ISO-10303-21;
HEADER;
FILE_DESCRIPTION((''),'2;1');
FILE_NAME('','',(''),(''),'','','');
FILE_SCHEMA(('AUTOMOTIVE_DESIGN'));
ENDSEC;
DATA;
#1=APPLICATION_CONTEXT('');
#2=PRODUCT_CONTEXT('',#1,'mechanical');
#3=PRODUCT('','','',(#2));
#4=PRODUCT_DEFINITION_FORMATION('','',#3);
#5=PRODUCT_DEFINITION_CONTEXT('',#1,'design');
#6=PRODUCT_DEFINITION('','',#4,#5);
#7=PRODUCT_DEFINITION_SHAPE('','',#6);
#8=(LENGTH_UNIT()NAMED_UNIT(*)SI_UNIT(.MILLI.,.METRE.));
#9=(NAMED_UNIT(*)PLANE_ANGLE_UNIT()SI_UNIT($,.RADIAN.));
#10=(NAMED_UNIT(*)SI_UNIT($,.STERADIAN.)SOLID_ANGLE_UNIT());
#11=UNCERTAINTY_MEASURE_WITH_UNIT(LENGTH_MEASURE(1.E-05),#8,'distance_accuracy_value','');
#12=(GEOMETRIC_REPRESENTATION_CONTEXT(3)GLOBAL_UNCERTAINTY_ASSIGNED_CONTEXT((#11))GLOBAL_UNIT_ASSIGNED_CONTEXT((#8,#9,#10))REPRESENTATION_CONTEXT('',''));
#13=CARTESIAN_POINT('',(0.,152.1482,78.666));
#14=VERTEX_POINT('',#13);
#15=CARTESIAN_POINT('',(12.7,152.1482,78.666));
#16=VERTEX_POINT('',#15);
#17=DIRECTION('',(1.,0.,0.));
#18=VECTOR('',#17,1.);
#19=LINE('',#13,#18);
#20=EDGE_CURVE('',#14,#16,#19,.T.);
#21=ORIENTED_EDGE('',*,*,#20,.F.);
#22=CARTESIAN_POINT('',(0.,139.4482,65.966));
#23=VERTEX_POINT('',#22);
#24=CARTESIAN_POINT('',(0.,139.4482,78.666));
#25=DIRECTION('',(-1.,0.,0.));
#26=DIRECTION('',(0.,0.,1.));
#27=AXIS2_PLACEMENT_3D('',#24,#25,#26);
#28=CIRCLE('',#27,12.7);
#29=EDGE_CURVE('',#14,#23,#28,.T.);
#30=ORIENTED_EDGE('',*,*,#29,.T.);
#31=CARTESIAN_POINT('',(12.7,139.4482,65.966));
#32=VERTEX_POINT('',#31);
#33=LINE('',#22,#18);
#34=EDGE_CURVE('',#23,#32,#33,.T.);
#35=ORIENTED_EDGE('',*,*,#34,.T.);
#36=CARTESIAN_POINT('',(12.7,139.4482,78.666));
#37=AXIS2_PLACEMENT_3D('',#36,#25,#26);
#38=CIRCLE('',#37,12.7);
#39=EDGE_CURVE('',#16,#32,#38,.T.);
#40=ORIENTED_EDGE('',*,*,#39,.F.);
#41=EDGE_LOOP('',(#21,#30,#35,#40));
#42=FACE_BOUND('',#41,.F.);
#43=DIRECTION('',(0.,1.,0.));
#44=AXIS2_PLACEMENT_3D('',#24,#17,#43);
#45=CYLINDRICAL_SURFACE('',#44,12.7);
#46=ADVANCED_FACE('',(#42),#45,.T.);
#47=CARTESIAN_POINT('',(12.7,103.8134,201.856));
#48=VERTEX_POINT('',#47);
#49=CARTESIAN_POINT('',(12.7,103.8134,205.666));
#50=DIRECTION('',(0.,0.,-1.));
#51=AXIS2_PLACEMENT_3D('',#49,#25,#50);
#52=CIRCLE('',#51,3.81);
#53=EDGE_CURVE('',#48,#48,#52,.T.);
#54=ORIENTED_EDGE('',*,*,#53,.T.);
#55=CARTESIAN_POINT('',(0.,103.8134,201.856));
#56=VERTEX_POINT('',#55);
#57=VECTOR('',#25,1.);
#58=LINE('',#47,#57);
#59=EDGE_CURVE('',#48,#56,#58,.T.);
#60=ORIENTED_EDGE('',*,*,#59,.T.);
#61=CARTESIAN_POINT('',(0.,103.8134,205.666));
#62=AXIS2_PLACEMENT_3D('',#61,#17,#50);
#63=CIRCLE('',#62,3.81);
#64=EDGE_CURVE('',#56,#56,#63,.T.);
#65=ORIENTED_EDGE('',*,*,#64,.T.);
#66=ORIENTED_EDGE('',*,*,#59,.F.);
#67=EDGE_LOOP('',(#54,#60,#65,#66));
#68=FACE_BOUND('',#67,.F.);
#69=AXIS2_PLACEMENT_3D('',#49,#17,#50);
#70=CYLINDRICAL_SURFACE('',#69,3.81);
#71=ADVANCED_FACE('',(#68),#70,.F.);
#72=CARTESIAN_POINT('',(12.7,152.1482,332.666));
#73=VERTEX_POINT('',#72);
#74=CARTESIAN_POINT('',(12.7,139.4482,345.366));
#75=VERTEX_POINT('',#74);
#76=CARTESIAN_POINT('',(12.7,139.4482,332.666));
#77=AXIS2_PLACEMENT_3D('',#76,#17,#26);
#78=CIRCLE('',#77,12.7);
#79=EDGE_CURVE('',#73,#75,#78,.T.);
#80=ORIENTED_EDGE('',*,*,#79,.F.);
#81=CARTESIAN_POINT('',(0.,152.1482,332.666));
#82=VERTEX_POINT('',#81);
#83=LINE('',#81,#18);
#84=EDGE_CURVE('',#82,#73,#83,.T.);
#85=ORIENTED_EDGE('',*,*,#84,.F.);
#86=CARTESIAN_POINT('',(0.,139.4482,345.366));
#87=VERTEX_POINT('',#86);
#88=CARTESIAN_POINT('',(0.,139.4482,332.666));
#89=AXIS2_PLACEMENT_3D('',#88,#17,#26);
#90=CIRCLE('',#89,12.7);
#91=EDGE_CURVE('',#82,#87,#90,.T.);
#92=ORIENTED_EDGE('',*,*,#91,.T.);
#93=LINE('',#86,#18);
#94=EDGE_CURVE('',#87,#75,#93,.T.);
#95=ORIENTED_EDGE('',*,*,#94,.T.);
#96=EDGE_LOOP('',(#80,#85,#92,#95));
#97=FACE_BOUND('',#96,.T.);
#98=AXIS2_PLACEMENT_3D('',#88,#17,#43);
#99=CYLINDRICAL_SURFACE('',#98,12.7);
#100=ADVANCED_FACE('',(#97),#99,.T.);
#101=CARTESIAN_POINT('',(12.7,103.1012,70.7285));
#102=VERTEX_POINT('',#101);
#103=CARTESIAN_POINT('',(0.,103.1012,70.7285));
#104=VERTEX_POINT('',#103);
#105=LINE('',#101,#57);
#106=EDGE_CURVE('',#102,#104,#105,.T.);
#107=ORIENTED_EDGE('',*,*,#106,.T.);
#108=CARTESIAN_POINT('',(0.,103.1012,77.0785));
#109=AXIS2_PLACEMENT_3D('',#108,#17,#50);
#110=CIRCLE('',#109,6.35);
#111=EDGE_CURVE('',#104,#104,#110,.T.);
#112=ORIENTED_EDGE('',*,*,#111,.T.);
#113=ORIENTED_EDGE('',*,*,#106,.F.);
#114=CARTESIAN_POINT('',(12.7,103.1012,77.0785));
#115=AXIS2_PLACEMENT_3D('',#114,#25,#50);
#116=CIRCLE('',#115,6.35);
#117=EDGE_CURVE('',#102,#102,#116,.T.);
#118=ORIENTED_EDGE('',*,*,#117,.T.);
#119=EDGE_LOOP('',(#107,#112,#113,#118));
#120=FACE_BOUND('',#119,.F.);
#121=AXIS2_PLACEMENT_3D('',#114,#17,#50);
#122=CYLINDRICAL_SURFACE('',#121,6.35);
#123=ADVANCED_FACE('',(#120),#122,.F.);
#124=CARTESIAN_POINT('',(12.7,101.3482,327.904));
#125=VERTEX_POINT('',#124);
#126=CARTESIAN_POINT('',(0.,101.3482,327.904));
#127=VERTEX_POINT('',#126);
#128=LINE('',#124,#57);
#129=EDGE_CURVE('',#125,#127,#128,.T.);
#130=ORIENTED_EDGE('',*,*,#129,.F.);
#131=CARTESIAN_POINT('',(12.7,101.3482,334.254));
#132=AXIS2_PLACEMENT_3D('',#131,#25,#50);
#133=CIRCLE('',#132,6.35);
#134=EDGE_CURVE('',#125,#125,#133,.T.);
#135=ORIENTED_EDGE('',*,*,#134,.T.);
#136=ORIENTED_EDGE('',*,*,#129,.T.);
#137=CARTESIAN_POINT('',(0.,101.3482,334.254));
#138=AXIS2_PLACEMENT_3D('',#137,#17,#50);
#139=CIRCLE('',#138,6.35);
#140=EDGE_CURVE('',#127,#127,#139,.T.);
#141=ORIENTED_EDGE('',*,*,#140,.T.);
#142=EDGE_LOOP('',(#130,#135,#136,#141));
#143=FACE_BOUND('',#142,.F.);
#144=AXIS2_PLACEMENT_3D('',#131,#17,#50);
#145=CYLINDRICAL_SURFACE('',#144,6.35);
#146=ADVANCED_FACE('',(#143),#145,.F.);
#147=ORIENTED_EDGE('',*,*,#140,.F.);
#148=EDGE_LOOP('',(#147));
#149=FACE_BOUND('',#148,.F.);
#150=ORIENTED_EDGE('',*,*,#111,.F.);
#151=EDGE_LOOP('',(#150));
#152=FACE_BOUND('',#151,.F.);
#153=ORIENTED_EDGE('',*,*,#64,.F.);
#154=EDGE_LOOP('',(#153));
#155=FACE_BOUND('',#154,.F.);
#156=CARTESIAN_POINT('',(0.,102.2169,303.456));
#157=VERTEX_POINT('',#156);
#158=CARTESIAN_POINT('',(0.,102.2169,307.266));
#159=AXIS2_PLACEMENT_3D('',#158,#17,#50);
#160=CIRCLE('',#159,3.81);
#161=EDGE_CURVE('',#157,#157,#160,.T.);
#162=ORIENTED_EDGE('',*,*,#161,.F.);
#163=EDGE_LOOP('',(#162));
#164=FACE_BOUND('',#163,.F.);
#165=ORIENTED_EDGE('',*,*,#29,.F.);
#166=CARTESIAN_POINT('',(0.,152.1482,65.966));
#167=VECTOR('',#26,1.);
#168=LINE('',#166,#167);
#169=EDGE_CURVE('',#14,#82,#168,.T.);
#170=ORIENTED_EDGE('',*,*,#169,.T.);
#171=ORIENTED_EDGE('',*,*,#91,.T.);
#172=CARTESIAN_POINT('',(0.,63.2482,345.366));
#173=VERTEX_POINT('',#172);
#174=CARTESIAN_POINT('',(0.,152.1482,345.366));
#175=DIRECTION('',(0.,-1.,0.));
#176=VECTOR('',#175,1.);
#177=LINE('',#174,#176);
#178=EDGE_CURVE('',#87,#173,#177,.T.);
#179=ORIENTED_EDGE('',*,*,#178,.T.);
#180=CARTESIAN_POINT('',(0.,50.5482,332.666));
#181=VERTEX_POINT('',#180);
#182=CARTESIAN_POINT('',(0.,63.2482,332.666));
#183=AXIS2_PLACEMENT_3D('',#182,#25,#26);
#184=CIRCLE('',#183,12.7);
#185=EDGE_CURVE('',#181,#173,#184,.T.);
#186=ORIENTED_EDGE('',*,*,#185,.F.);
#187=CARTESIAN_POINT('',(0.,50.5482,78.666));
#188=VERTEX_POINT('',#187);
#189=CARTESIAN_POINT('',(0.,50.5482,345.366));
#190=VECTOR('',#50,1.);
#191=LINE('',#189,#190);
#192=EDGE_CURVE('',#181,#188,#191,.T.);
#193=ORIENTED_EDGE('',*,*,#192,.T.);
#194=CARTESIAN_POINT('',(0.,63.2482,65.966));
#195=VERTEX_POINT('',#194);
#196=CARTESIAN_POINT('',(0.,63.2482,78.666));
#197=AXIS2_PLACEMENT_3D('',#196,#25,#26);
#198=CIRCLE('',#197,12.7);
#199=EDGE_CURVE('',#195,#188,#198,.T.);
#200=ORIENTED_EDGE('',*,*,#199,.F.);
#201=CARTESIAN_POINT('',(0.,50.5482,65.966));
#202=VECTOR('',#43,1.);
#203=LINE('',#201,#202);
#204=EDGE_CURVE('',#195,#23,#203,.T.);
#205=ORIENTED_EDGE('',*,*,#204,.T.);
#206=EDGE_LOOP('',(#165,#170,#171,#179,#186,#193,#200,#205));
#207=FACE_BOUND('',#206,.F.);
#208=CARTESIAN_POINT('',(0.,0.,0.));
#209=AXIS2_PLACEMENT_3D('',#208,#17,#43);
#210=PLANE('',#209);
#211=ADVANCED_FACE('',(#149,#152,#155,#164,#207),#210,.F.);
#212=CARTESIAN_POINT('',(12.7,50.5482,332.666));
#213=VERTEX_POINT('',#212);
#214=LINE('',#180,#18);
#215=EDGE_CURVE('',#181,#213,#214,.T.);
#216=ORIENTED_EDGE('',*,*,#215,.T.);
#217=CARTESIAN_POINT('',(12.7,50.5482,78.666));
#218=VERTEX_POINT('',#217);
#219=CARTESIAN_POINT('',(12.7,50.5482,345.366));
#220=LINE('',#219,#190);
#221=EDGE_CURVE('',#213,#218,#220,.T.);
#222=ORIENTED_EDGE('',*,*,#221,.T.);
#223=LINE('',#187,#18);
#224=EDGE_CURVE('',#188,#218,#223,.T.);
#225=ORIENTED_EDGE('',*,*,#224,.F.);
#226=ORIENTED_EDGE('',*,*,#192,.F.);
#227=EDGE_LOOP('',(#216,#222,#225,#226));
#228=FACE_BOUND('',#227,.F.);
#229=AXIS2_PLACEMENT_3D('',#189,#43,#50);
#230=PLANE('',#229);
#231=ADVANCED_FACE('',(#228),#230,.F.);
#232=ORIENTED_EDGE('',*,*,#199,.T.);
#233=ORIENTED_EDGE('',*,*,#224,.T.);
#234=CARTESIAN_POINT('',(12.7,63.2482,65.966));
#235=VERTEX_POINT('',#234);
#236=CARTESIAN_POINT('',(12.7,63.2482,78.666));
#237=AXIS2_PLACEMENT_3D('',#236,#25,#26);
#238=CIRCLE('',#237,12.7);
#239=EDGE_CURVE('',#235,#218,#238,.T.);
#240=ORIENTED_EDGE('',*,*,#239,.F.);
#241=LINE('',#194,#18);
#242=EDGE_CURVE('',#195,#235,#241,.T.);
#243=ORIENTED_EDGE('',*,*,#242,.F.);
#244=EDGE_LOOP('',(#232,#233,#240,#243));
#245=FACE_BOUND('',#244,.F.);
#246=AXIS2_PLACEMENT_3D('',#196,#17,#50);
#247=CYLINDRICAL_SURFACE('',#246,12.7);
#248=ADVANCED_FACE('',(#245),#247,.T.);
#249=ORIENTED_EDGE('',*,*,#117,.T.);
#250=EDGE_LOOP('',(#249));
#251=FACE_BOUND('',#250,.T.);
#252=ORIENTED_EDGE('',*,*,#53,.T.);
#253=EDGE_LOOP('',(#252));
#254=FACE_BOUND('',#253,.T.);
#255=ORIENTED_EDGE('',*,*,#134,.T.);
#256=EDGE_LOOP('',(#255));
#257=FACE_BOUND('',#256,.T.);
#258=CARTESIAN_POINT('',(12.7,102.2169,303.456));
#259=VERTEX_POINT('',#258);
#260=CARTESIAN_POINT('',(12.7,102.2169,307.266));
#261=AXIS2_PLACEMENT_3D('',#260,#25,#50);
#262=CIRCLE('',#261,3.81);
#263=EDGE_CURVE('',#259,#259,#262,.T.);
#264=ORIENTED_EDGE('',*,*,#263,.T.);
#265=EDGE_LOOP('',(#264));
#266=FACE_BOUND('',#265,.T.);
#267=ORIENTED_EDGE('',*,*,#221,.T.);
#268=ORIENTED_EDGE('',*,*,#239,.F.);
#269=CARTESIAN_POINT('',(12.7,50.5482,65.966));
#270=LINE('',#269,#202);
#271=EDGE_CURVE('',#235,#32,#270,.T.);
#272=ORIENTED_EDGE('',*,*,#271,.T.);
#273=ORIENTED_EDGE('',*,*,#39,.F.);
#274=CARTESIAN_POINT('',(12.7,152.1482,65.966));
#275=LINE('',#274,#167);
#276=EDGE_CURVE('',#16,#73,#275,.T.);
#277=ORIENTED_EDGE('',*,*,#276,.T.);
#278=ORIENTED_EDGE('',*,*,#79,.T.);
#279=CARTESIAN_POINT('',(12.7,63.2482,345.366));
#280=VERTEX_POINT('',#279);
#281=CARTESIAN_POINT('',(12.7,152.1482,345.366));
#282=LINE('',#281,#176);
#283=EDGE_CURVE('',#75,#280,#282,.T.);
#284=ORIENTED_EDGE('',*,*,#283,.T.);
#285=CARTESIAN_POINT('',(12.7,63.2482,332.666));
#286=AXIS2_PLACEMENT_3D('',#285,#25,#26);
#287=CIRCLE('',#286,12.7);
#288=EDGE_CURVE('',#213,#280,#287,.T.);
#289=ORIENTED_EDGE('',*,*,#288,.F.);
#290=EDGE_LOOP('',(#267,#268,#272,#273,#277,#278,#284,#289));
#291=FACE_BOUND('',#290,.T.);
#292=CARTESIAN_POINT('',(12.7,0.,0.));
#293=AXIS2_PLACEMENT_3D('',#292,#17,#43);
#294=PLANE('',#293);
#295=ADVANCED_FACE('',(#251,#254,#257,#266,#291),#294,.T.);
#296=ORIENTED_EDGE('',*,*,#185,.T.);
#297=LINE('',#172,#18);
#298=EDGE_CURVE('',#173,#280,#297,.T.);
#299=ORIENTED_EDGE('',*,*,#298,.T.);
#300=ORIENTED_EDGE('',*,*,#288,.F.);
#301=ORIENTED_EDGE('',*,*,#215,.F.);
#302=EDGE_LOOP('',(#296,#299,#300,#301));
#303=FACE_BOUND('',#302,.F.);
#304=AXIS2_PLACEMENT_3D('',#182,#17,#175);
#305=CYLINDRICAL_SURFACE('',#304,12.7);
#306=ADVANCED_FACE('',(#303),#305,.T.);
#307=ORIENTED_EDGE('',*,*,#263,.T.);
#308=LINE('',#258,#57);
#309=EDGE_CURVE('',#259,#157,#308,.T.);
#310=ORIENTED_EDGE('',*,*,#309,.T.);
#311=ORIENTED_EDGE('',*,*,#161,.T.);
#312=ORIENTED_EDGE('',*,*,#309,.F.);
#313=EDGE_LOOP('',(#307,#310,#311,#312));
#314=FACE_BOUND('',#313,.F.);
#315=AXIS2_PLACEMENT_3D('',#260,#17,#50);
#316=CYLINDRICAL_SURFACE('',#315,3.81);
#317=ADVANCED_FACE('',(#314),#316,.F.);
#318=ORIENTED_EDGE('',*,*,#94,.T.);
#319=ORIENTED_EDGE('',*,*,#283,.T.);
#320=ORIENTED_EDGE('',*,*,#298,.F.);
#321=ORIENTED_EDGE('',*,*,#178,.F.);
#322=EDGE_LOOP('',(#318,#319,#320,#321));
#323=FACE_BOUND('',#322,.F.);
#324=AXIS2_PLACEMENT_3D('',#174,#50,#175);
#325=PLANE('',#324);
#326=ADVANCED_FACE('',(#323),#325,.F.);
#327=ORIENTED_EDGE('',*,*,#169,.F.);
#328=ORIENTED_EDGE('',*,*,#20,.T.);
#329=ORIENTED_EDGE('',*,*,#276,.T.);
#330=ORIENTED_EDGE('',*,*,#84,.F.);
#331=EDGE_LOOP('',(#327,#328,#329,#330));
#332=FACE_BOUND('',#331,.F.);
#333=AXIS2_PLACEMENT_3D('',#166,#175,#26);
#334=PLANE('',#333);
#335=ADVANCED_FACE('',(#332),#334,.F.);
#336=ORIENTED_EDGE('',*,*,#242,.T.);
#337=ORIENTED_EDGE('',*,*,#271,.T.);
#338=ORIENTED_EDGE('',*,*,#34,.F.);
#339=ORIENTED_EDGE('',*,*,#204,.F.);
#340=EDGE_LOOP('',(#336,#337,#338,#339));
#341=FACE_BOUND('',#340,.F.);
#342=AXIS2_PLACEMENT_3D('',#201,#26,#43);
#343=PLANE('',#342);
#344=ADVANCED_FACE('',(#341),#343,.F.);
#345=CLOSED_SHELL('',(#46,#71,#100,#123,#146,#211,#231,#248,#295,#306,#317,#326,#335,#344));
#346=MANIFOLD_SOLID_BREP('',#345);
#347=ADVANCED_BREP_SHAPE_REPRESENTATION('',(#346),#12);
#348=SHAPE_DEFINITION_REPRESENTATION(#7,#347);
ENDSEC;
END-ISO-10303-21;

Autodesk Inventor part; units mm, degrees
ref_plane "YZ Plane" through (0, 0, 0) normal (1, 0, 0) x (0, 1, 0)
ref_plane "XZ Plane" through (0, 0, 0) normal (0, 1, 0) x (-1, 0, 0)
ref_plane "XY Plane" through (0, 0, 0) normal (0, 0, 1) x (1, 0, 0)
sketch "Sketch1" plane through (0, 0, 0) normal (1, 0, 0) x (0, 1, 0)
  line L0 (152.1482, 345.366) -> (50.5482, 345.366)
  line L1 (50.5482, 345.366) -> (50.5482, 65.966)
  line L2 (50.5482, 65.966) -> (152.1482, 65.966)
  line L3 (152.1482, 65.966) -> (152.1482, 345.366)
  point P0 (0, 0)
  dimension "d0" = 279.4
  dimension "d1" = 101.6
extrude "Extrusion1" add sketch "Sketch1" along normal blind 12.7
fillet "Fillet1" radius 12.7 4 edges at (6.35, 152.1482, 345.366) (6.35, 152.1482, 65.966) (6.35, 50.5482, 345.366) (6.35, 50.5482, 65.966)
sketch "Sketch2" plane through (12.7, 0, 0) normal (1, 0, 0) x (0, 0, -1)
  line L0 (-345.366, 139.4482) -> (-345.366, 63.2482) projected
  line L1 (-345.366, 101.3482) -> (-65.966, 101.3482)
  line L2 (-65.966, 63.2482) -> (-65.966, 139.4482) projected
  line L3 (-345.366, 152.1482) -> (-334.254, 152.0486)
  arc A0 (-332.666, 152.1482) -> (-345.366, 139.4482) centre (-332.666, 139.4482) ccw projected
  line L4 (-334.254, 152.0486) -> (-334.254, 101.3482)
  circle A1 centre (-334.254, 101.3482) radius 6.35
  point P0 (0, 0)
  dimension "d5" = 11.1125
  dimension "d6" = 12.7
extrude "Extrusion2" cut sketch "Sketch2" against normal blind 42.8625 contours A1 L4 L1 | L1 A1 | A1 L1 L4
sketch "Sketch3" plane through (12.7, 0, 0) normal (1, 0, 0) x (0, 0, -1)
  line L0 (-345.366, 152.1482) -> (-307.266, 152.1482)
  line L1 (-78.666, 152.1482) -> (-332.666, 152.1482) projected
  line L2 (-307.266, 152.1482) -> (-307.266, 102.2169)
  circle A0 centre (-307.266, 102.2169) radius 3.81
  point P0 (0, 0)
  dimension "d9" = 38.1
  dimension "d10" = 7.62
extrude "Extrusion3" cut sketch "Sketch3" against normal blind 88.9
sketch "Sketch4" plane through (12.7, 0, 0) normal (1, 0, 0) x (0, 0, -1)
  line L0 (-65.966, 63.2482) -> (-65.966, 139.4482) projected
  line L1 (-65.966, 103.1393) -> (-299.4746, 103.1393)
  point P0 (0, 0)
sketch "Sketch5" plane through (12.7, 0, 0) normal (1, 0, 0) x (0, 0, -1)
  line L0 (-345.366, 152.1482) -> (-205.666, 152.1482)
  line L1 (-78.666, 152.1482) -> (-332.666, 152.1482) projected
  line L2 (-205.666, 103.8134) -> (-205.666, 152.1482)
  circle A0 centre (-205.666, 103.8134) radius 3.81
  point P0 (0, 0)
  dimension "d13" = 7.62
extrude "Extrusion4" cut sketch "Sketch5" against normal blind 214.3125
sketch "Sketch6" plane through (12.7, 0, 0) normal (1, 0, 0) x (0, 0, -1)
  line L0 (-65.966, 152.1482) -> (-77.0785, 152.1482)
  line L1 (-78.666, 152.1482) -> (-332.666, 152.1482) projected
  line L2 (-77.0785, 152.1482) -> (-77.0785, 103.1012)
  circle A0 centre (-77.0785, 103.1012) radius 6.35
  point P0 (0, 0)
  dimension "d16" = 11.1125
  dimension "d17" = 12.7
extrude "Extrusion5" cut sketch "Sketch6" against normal blind 211.1375
sketch "Sketch7" plane through (12.7, 0, 0) normal (1, 0, 0) x (0, 0, -1)
  point P0 (0, 0)
properties part number "Base Plate."
